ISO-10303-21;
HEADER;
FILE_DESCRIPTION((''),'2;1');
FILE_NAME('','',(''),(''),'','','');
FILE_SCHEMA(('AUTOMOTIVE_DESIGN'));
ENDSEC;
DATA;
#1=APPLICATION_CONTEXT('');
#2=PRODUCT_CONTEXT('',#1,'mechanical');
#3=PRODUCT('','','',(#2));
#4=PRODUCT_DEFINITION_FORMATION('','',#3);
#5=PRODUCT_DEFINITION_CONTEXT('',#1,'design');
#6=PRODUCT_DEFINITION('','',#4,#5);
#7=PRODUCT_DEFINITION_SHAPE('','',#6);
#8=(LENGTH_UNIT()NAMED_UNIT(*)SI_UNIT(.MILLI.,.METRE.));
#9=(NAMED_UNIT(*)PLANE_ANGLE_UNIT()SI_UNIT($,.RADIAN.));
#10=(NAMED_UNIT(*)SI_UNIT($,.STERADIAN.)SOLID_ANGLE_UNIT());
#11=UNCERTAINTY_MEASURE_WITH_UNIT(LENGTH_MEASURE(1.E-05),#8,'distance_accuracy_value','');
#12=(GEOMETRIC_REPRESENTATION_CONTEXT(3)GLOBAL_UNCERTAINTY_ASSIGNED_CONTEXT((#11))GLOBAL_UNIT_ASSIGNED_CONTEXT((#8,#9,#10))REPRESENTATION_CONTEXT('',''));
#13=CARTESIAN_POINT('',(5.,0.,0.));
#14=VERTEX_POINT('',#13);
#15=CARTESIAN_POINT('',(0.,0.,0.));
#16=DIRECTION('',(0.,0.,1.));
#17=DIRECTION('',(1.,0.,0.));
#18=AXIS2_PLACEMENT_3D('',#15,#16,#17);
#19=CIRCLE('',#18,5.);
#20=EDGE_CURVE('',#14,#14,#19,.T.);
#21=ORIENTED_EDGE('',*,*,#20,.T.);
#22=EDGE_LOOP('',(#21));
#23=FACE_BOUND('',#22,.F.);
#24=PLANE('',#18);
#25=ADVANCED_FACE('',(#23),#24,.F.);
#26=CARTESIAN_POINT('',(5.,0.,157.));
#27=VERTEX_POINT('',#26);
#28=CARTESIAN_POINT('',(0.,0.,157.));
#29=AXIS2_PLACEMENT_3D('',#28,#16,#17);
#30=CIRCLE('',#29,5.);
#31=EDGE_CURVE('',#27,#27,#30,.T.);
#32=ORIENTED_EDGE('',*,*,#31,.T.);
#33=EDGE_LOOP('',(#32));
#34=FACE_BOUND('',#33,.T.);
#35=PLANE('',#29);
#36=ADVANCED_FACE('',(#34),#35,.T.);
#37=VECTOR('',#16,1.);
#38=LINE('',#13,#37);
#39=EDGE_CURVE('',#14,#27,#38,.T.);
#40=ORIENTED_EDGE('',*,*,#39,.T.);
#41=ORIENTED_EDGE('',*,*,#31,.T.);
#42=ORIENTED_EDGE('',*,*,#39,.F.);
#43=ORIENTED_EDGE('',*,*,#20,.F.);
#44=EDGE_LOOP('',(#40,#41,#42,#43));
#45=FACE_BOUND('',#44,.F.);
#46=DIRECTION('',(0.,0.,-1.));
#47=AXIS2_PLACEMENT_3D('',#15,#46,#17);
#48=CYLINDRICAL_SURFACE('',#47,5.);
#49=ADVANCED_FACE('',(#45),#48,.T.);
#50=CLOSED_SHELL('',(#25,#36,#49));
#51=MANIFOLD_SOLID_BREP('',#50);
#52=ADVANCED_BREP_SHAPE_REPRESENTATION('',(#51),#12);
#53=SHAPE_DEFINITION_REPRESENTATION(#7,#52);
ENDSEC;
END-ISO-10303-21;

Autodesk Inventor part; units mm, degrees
ref_plane "YZ Plane" through (0, 0, 0) normal (1, 0, 0) x (0, 1, 0)
ref_plane "XZ Plane" through (0, 0, 0) normal (0, 1, 0) x (-1, 0, 0)
ref_plane "XY Plane" through (0, 0, 0) normal (0, 0, 1) x (1, 0, 0)
sketch "Sketch1" plane through (0, 0, 0) normal (0, 0, 1) x (1, 0, 0)
  circle A0 centre (0, 0) radius 5
  dimension "d0" = 10
extrude "Extrusion1" add sketch "Sketch1" along normal blind 157
properties part number "Midt"
